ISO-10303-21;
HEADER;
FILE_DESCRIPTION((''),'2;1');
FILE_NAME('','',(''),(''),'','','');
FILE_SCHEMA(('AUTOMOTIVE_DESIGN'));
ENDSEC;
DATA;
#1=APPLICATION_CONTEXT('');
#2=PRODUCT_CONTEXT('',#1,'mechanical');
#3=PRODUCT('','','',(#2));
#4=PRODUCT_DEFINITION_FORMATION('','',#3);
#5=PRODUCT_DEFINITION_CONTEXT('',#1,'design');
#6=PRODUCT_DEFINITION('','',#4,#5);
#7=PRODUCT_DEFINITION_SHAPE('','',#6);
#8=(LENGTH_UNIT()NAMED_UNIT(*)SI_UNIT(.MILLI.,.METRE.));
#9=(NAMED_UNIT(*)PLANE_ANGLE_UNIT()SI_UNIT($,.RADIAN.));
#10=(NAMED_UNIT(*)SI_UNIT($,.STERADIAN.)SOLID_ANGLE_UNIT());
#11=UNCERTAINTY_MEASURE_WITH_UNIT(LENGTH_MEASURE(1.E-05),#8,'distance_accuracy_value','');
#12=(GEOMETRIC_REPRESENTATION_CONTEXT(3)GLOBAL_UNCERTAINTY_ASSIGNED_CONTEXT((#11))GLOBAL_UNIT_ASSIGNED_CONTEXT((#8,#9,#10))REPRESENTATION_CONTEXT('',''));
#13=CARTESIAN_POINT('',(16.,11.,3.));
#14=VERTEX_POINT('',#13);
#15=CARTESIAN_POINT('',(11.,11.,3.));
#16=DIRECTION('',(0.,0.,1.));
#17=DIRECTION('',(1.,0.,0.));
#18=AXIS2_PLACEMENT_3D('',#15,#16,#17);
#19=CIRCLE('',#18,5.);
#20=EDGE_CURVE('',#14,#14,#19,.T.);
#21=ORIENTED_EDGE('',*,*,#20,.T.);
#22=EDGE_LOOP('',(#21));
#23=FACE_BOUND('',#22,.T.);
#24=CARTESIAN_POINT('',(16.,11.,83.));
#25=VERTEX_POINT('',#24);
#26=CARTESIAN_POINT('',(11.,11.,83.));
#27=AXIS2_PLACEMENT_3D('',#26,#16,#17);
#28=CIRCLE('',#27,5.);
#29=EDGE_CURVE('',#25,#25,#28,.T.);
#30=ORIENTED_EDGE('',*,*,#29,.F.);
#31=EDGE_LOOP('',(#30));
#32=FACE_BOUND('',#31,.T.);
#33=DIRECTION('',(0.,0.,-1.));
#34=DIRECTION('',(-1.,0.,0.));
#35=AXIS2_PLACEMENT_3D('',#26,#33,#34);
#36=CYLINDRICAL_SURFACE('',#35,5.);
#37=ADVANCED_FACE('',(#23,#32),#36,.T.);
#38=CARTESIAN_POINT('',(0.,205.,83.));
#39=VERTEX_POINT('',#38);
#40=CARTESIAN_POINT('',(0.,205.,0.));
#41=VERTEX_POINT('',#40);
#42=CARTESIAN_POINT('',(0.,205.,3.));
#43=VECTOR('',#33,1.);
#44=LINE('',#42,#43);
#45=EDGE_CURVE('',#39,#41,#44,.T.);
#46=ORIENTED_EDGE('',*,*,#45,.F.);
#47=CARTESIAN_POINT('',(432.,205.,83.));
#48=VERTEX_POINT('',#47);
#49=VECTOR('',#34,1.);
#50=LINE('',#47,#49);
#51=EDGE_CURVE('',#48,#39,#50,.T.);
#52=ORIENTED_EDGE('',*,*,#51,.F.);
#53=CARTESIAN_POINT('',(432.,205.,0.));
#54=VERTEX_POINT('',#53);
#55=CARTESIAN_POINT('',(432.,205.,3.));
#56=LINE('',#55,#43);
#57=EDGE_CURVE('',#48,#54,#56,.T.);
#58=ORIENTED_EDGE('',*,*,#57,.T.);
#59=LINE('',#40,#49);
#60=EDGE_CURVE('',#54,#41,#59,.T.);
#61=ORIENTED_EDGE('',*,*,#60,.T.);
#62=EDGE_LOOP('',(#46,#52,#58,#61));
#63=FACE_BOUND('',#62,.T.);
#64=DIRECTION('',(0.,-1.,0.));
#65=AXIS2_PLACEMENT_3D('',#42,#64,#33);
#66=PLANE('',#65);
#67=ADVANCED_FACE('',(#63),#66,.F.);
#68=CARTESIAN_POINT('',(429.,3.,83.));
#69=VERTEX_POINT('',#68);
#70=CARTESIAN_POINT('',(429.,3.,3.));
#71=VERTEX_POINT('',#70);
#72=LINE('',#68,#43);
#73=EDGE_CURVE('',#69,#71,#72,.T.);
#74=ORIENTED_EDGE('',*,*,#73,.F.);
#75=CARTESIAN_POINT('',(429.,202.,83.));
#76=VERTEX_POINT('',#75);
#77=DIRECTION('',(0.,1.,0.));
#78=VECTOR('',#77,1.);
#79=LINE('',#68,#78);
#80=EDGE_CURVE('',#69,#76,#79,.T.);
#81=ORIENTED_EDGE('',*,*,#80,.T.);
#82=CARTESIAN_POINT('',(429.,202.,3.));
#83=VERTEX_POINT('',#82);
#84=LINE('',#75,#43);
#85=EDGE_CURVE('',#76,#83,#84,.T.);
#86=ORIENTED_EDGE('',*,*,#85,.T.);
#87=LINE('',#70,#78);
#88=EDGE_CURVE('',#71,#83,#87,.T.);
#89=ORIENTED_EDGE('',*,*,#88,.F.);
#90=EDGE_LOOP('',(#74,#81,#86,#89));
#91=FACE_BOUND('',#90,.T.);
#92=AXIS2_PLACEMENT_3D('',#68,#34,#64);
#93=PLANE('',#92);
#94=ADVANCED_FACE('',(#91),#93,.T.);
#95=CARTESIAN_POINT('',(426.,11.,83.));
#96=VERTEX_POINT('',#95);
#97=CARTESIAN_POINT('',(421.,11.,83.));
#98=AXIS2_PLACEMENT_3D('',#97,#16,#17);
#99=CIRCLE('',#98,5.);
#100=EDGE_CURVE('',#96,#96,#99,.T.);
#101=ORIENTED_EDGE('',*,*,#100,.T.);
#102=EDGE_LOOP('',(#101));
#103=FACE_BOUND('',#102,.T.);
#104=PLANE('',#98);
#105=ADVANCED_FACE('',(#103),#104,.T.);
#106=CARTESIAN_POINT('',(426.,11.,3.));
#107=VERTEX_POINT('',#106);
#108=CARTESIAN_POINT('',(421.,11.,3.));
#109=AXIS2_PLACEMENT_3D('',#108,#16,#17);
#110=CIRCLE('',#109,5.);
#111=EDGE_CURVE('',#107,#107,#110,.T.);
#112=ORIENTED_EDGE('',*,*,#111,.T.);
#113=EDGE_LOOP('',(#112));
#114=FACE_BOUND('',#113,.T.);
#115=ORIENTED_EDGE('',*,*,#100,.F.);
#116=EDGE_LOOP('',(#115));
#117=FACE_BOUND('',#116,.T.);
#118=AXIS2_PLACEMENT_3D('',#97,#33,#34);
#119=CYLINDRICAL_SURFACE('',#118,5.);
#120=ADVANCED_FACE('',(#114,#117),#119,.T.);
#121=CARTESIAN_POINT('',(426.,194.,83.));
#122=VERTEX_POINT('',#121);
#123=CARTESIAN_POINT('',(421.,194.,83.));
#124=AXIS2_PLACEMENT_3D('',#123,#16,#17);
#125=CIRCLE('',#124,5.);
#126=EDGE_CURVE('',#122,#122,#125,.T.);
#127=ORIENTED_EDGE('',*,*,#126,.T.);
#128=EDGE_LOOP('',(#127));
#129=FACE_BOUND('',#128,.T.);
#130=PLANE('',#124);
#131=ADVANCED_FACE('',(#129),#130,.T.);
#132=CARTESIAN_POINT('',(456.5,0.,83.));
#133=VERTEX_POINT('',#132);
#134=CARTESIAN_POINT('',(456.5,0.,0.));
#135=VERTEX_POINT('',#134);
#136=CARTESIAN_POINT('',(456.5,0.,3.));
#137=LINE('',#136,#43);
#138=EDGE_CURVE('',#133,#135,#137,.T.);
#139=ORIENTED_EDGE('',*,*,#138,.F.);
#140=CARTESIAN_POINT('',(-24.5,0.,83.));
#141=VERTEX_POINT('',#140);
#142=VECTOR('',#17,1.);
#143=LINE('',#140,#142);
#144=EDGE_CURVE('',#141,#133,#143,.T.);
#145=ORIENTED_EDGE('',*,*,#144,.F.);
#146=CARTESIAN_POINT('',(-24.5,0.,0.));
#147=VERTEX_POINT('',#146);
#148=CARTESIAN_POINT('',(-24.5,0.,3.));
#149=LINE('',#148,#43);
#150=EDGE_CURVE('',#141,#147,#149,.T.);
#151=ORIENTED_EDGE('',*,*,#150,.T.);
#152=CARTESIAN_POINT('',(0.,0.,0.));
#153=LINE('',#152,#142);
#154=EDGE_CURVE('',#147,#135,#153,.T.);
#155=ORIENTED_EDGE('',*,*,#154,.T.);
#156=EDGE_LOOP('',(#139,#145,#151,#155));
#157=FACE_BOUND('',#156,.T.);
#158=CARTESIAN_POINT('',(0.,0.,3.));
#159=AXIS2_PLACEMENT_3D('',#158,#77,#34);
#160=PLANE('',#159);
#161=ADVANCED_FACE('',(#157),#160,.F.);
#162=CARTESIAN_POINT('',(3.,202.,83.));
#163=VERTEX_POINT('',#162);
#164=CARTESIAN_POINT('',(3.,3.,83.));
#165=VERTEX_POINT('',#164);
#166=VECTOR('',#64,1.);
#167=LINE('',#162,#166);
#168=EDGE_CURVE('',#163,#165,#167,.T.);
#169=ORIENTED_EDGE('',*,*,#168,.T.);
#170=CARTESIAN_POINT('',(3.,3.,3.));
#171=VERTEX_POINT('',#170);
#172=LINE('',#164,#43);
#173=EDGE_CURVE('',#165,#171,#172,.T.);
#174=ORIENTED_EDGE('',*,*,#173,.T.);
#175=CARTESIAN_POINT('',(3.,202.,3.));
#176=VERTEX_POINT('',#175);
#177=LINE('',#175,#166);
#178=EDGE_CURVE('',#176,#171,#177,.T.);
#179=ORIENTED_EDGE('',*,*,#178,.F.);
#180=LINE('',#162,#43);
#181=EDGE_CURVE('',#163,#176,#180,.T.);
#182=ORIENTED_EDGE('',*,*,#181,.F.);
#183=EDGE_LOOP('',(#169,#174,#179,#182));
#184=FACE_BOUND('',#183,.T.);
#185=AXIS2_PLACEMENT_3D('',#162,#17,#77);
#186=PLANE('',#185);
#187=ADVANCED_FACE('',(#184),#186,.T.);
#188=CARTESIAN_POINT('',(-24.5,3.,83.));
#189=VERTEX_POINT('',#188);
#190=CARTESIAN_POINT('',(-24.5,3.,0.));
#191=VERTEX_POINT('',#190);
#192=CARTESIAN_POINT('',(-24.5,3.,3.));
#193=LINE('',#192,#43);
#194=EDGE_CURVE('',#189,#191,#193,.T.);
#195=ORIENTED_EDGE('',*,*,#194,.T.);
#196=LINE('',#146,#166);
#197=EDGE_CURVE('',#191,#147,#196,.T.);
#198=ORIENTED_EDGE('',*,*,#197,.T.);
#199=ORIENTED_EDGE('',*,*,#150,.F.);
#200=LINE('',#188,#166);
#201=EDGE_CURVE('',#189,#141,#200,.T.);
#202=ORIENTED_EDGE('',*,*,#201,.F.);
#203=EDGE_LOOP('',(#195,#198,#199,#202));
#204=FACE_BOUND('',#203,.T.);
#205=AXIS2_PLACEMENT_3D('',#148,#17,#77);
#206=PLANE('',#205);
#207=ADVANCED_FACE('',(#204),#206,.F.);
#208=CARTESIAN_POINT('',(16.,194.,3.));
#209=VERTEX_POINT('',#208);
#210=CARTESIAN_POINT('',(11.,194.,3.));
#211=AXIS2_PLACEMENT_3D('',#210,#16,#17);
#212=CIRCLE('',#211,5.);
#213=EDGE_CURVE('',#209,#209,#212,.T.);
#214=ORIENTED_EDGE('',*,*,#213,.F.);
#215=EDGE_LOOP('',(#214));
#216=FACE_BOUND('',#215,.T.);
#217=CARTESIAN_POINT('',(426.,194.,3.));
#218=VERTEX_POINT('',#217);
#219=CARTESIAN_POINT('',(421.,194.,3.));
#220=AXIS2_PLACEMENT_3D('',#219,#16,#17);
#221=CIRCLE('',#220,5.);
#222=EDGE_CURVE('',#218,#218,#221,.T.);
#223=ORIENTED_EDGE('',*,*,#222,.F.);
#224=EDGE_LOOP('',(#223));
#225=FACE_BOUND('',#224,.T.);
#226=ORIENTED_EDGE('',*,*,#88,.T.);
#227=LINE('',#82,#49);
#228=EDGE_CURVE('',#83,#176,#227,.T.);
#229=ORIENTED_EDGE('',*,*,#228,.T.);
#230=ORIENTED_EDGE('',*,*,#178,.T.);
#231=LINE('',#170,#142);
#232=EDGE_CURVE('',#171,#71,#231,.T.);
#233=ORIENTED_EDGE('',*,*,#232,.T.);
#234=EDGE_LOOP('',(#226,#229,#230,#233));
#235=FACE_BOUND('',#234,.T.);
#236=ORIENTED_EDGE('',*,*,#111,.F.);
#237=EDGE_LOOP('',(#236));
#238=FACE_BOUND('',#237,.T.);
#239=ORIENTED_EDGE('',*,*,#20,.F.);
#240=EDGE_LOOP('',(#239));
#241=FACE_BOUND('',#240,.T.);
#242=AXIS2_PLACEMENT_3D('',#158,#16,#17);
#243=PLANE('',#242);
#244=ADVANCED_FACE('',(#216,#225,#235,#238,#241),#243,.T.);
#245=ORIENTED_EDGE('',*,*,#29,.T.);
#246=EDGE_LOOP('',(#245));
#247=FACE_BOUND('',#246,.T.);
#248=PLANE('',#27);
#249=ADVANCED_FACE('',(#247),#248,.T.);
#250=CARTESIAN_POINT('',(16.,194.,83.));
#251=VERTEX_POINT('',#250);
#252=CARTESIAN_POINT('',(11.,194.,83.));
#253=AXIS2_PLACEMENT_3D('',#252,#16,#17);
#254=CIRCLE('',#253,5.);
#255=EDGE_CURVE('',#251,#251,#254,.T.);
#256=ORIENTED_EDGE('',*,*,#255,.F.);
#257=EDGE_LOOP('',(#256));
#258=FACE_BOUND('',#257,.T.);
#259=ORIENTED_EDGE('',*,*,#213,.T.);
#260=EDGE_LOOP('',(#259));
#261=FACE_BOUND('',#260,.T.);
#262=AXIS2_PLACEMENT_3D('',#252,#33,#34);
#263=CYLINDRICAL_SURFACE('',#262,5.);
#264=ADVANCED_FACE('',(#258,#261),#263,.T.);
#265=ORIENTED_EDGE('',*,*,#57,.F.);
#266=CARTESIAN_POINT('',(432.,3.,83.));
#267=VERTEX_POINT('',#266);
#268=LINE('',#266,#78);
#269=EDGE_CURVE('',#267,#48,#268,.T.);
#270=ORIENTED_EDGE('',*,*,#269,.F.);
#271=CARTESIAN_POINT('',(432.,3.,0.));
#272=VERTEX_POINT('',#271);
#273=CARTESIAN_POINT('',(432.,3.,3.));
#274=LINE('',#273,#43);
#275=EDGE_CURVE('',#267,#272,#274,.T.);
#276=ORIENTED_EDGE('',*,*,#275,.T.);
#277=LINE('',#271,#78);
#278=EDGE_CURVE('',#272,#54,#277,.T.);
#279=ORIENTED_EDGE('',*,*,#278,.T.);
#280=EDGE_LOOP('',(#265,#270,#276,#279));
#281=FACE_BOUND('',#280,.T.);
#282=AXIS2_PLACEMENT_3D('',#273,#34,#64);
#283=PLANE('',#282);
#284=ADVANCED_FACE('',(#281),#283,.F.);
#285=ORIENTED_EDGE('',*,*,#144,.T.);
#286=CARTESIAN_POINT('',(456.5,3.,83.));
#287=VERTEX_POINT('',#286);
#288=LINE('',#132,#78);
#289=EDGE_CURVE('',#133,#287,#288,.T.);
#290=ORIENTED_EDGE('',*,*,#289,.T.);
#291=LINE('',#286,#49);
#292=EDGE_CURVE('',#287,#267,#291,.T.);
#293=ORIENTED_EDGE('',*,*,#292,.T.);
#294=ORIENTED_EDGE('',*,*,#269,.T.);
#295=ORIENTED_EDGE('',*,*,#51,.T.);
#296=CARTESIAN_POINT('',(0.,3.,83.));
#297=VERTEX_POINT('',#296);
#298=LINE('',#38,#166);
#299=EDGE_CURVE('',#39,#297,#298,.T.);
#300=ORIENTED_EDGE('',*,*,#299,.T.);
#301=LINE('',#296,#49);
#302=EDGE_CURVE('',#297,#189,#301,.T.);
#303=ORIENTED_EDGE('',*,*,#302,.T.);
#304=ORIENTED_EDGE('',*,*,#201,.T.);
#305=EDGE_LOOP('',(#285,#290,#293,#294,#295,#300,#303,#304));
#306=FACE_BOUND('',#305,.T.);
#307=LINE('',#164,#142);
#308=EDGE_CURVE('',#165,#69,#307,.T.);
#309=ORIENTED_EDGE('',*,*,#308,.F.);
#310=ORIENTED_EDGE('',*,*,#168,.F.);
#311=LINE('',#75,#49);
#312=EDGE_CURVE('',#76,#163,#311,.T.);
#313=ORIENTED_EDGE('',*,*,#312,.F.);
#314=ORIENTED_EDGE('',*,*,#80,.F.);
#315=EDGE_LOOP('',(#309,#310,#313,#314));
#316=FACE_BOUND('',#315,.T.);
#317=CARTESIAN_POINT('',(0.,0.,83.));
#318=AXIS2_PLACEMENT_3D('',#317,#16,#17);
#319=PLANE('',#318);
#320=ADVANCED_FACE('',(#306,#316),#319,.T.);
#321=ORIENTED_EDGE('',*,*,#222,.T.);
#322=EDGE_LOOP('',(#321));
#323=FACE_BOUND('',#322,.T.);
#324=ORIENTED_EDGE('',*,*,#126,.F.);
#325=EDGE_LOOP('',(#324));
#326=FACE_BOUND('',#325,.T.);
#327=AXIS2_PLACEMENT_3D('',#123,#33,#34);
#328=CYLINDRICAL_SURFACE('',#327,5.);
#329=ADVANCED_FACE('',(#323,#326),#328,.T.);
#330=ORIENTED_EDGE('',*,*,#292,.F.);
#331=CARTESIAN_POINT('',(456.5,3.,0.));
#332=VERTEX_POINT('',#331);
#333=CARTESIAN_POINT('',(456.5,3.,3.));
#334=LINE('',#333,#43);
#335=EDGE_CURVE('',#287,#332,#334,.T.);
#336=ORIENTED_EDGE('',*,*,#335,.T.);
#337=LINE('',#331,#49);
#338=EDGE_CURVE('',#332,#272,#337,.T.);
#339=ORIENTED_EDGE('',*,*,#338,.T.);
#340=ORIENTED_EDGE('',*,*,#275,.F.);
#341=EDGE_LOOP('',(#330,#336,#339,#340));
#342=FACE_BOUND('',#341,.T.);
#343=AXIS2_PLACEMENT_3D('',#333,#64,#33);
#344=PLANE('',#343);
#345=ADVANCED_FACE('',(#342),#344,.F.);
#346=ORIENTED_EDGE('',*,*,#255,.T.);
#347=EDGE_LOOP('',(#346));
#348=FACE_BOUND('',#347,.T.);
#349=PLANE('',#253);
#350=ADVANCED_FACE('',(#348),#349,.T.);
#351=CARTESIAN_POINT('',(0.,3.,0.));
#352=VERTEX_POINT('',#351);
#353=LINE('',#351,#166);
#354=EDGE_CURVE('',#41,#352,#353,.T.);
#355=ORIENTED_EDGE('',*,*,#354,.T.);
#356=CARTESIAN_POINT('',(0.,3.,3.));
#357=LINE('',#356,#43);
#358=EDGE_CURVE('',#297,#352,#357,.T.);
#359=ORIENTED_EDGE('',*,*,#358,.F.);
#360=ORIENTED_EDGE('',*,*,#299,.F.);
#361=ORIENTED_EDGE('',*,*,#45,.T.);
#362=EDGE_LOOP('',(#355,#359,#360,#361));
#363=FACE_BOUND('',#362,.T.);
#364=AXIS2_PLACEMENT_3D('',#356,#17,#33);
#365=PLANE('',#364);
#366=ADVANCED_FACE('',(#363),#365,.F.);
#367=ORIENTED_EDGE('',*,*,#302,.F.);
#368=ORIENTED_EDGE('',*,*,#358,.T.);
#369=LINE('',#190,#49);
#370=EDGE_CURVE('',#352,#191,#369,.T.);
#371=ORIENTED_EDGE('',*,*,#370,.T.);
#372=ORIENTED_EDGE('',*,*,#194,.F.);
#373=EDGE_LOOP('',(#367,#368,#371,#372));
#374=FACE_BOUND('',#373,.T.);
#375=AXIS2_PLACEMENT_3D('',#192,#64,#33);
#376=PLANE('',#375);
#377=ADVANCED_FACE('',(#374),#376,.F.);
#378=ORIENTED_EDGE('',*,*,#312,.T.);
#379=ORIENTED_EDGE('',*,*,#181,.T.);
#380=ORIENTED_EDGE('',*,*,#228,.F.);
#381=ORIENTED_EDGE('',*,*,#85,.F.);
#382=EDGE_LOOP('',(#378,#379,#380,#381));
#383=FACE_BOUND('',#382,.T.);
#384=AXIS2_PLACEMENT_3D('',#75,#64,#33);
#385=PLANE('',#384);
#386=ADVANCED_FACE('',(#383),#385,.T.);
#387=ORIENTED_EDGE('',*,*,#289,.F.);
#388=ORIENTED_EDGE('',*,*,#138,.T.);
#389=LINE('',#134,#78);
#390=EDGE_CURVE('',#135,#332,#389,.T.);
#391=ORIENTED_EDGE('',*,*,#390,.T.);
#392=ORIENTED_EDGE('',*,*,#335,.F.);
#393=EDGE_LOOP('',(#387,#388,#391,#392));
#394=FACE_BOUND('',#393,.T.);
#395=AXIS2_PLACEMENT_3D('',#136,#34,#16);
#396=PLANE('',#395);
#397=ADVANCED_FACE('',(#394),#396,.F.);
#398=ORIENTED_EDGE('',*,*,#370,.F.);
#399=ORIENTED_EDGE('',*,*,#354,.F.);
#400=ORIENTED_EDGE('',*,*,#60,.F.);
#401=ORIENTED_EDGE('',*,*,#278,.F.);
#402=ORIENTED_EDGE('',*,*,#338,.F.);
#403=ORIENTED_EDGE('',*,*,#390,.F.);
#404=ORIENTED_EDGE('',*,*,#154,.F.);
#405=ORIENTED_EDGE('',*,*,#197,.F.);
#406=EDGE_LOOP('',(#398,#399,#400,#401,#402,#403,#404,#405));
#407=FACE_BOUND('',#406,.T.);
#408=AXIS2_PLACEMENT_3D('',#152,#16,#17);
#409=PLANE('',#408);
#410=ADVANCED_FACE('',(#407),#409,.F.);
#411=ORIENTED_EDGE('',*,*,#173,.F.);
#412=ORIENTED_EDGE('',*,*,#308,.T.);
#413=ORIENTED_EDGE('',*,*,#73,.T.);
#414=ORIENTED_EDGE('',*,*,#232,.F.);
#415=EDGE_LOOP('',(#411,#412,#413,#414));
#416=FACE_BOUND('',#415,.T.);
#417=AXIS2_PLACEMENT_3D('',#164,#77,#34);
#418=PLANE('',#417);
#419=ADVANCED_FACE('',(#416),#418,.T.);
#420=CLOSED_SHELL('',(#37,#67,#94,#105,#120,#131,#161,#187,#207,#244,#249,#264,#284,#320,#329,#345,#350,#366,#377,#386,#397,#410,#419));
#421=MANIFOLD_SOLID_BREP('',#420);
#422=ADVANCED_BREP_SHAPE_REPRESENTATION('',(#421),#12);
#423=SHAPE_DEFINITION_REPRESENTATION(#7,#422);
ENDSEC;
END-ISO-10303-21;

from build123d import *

# Parameters (mm, degrees)
BOSS_EXTRUDE1_DEPTH = 3
SKETCH2_W           = 426
SKETCH2_H           = 199
BOSS_EXTRUDE2_DEPTH = 80
SKETCH3_R           = 5
BOSS_EXTRUDE3_DEPTH = 80


with BuildPart() as part:
    # Sketch1 → Boss-Extrude1 (new body)
    with BuildSketch(Plane.XY):
        Polygon((0, 0), (-24.5, 0), (-24.5, 3), (0, 3), (0, 205), (432, 205), (432, 3), (456.5, 3), (456.5, 0), (432, 0), align=None)
    extrude(amount=BOSS_EXTRUDE1_DEPTH)

    # Sketch2 → Boss-Extrude2 (add)
    with BuildSketch(Plane.XY.offset(3)):
        Polygon((432, 205), (0, 205), (0, 3), (-24.5, 3), (-24.5, 0), (456.5, 0), (456.5, 3), (432, 3), align=None)
        with Locations((216, 102.5)):
            Rectangle(SKETCH2_W, SKETCH2_H, mode=Mode.SUBTRACT)
    extrude(amount=BOSS_EXTRUDE2_DEPTH)

    # Sketch3 → Boss-Extrude3 (add)
    with BuildSketch(Plane.XY.offset(3)):
        with Locations((11, 194)):
            Circle(SKETCH3_R)
        with Locations((421, 194)):
            Circle(SKETCH3_R)
        with Locations((421, 11)):
            Circle(SKETCH3_R)
        with Locations((11, 11)):
            Circle(SKETCH3_R)
    extrude(amount=BOSS_EXTRUDE3_DEPTH)


solid = part.part
